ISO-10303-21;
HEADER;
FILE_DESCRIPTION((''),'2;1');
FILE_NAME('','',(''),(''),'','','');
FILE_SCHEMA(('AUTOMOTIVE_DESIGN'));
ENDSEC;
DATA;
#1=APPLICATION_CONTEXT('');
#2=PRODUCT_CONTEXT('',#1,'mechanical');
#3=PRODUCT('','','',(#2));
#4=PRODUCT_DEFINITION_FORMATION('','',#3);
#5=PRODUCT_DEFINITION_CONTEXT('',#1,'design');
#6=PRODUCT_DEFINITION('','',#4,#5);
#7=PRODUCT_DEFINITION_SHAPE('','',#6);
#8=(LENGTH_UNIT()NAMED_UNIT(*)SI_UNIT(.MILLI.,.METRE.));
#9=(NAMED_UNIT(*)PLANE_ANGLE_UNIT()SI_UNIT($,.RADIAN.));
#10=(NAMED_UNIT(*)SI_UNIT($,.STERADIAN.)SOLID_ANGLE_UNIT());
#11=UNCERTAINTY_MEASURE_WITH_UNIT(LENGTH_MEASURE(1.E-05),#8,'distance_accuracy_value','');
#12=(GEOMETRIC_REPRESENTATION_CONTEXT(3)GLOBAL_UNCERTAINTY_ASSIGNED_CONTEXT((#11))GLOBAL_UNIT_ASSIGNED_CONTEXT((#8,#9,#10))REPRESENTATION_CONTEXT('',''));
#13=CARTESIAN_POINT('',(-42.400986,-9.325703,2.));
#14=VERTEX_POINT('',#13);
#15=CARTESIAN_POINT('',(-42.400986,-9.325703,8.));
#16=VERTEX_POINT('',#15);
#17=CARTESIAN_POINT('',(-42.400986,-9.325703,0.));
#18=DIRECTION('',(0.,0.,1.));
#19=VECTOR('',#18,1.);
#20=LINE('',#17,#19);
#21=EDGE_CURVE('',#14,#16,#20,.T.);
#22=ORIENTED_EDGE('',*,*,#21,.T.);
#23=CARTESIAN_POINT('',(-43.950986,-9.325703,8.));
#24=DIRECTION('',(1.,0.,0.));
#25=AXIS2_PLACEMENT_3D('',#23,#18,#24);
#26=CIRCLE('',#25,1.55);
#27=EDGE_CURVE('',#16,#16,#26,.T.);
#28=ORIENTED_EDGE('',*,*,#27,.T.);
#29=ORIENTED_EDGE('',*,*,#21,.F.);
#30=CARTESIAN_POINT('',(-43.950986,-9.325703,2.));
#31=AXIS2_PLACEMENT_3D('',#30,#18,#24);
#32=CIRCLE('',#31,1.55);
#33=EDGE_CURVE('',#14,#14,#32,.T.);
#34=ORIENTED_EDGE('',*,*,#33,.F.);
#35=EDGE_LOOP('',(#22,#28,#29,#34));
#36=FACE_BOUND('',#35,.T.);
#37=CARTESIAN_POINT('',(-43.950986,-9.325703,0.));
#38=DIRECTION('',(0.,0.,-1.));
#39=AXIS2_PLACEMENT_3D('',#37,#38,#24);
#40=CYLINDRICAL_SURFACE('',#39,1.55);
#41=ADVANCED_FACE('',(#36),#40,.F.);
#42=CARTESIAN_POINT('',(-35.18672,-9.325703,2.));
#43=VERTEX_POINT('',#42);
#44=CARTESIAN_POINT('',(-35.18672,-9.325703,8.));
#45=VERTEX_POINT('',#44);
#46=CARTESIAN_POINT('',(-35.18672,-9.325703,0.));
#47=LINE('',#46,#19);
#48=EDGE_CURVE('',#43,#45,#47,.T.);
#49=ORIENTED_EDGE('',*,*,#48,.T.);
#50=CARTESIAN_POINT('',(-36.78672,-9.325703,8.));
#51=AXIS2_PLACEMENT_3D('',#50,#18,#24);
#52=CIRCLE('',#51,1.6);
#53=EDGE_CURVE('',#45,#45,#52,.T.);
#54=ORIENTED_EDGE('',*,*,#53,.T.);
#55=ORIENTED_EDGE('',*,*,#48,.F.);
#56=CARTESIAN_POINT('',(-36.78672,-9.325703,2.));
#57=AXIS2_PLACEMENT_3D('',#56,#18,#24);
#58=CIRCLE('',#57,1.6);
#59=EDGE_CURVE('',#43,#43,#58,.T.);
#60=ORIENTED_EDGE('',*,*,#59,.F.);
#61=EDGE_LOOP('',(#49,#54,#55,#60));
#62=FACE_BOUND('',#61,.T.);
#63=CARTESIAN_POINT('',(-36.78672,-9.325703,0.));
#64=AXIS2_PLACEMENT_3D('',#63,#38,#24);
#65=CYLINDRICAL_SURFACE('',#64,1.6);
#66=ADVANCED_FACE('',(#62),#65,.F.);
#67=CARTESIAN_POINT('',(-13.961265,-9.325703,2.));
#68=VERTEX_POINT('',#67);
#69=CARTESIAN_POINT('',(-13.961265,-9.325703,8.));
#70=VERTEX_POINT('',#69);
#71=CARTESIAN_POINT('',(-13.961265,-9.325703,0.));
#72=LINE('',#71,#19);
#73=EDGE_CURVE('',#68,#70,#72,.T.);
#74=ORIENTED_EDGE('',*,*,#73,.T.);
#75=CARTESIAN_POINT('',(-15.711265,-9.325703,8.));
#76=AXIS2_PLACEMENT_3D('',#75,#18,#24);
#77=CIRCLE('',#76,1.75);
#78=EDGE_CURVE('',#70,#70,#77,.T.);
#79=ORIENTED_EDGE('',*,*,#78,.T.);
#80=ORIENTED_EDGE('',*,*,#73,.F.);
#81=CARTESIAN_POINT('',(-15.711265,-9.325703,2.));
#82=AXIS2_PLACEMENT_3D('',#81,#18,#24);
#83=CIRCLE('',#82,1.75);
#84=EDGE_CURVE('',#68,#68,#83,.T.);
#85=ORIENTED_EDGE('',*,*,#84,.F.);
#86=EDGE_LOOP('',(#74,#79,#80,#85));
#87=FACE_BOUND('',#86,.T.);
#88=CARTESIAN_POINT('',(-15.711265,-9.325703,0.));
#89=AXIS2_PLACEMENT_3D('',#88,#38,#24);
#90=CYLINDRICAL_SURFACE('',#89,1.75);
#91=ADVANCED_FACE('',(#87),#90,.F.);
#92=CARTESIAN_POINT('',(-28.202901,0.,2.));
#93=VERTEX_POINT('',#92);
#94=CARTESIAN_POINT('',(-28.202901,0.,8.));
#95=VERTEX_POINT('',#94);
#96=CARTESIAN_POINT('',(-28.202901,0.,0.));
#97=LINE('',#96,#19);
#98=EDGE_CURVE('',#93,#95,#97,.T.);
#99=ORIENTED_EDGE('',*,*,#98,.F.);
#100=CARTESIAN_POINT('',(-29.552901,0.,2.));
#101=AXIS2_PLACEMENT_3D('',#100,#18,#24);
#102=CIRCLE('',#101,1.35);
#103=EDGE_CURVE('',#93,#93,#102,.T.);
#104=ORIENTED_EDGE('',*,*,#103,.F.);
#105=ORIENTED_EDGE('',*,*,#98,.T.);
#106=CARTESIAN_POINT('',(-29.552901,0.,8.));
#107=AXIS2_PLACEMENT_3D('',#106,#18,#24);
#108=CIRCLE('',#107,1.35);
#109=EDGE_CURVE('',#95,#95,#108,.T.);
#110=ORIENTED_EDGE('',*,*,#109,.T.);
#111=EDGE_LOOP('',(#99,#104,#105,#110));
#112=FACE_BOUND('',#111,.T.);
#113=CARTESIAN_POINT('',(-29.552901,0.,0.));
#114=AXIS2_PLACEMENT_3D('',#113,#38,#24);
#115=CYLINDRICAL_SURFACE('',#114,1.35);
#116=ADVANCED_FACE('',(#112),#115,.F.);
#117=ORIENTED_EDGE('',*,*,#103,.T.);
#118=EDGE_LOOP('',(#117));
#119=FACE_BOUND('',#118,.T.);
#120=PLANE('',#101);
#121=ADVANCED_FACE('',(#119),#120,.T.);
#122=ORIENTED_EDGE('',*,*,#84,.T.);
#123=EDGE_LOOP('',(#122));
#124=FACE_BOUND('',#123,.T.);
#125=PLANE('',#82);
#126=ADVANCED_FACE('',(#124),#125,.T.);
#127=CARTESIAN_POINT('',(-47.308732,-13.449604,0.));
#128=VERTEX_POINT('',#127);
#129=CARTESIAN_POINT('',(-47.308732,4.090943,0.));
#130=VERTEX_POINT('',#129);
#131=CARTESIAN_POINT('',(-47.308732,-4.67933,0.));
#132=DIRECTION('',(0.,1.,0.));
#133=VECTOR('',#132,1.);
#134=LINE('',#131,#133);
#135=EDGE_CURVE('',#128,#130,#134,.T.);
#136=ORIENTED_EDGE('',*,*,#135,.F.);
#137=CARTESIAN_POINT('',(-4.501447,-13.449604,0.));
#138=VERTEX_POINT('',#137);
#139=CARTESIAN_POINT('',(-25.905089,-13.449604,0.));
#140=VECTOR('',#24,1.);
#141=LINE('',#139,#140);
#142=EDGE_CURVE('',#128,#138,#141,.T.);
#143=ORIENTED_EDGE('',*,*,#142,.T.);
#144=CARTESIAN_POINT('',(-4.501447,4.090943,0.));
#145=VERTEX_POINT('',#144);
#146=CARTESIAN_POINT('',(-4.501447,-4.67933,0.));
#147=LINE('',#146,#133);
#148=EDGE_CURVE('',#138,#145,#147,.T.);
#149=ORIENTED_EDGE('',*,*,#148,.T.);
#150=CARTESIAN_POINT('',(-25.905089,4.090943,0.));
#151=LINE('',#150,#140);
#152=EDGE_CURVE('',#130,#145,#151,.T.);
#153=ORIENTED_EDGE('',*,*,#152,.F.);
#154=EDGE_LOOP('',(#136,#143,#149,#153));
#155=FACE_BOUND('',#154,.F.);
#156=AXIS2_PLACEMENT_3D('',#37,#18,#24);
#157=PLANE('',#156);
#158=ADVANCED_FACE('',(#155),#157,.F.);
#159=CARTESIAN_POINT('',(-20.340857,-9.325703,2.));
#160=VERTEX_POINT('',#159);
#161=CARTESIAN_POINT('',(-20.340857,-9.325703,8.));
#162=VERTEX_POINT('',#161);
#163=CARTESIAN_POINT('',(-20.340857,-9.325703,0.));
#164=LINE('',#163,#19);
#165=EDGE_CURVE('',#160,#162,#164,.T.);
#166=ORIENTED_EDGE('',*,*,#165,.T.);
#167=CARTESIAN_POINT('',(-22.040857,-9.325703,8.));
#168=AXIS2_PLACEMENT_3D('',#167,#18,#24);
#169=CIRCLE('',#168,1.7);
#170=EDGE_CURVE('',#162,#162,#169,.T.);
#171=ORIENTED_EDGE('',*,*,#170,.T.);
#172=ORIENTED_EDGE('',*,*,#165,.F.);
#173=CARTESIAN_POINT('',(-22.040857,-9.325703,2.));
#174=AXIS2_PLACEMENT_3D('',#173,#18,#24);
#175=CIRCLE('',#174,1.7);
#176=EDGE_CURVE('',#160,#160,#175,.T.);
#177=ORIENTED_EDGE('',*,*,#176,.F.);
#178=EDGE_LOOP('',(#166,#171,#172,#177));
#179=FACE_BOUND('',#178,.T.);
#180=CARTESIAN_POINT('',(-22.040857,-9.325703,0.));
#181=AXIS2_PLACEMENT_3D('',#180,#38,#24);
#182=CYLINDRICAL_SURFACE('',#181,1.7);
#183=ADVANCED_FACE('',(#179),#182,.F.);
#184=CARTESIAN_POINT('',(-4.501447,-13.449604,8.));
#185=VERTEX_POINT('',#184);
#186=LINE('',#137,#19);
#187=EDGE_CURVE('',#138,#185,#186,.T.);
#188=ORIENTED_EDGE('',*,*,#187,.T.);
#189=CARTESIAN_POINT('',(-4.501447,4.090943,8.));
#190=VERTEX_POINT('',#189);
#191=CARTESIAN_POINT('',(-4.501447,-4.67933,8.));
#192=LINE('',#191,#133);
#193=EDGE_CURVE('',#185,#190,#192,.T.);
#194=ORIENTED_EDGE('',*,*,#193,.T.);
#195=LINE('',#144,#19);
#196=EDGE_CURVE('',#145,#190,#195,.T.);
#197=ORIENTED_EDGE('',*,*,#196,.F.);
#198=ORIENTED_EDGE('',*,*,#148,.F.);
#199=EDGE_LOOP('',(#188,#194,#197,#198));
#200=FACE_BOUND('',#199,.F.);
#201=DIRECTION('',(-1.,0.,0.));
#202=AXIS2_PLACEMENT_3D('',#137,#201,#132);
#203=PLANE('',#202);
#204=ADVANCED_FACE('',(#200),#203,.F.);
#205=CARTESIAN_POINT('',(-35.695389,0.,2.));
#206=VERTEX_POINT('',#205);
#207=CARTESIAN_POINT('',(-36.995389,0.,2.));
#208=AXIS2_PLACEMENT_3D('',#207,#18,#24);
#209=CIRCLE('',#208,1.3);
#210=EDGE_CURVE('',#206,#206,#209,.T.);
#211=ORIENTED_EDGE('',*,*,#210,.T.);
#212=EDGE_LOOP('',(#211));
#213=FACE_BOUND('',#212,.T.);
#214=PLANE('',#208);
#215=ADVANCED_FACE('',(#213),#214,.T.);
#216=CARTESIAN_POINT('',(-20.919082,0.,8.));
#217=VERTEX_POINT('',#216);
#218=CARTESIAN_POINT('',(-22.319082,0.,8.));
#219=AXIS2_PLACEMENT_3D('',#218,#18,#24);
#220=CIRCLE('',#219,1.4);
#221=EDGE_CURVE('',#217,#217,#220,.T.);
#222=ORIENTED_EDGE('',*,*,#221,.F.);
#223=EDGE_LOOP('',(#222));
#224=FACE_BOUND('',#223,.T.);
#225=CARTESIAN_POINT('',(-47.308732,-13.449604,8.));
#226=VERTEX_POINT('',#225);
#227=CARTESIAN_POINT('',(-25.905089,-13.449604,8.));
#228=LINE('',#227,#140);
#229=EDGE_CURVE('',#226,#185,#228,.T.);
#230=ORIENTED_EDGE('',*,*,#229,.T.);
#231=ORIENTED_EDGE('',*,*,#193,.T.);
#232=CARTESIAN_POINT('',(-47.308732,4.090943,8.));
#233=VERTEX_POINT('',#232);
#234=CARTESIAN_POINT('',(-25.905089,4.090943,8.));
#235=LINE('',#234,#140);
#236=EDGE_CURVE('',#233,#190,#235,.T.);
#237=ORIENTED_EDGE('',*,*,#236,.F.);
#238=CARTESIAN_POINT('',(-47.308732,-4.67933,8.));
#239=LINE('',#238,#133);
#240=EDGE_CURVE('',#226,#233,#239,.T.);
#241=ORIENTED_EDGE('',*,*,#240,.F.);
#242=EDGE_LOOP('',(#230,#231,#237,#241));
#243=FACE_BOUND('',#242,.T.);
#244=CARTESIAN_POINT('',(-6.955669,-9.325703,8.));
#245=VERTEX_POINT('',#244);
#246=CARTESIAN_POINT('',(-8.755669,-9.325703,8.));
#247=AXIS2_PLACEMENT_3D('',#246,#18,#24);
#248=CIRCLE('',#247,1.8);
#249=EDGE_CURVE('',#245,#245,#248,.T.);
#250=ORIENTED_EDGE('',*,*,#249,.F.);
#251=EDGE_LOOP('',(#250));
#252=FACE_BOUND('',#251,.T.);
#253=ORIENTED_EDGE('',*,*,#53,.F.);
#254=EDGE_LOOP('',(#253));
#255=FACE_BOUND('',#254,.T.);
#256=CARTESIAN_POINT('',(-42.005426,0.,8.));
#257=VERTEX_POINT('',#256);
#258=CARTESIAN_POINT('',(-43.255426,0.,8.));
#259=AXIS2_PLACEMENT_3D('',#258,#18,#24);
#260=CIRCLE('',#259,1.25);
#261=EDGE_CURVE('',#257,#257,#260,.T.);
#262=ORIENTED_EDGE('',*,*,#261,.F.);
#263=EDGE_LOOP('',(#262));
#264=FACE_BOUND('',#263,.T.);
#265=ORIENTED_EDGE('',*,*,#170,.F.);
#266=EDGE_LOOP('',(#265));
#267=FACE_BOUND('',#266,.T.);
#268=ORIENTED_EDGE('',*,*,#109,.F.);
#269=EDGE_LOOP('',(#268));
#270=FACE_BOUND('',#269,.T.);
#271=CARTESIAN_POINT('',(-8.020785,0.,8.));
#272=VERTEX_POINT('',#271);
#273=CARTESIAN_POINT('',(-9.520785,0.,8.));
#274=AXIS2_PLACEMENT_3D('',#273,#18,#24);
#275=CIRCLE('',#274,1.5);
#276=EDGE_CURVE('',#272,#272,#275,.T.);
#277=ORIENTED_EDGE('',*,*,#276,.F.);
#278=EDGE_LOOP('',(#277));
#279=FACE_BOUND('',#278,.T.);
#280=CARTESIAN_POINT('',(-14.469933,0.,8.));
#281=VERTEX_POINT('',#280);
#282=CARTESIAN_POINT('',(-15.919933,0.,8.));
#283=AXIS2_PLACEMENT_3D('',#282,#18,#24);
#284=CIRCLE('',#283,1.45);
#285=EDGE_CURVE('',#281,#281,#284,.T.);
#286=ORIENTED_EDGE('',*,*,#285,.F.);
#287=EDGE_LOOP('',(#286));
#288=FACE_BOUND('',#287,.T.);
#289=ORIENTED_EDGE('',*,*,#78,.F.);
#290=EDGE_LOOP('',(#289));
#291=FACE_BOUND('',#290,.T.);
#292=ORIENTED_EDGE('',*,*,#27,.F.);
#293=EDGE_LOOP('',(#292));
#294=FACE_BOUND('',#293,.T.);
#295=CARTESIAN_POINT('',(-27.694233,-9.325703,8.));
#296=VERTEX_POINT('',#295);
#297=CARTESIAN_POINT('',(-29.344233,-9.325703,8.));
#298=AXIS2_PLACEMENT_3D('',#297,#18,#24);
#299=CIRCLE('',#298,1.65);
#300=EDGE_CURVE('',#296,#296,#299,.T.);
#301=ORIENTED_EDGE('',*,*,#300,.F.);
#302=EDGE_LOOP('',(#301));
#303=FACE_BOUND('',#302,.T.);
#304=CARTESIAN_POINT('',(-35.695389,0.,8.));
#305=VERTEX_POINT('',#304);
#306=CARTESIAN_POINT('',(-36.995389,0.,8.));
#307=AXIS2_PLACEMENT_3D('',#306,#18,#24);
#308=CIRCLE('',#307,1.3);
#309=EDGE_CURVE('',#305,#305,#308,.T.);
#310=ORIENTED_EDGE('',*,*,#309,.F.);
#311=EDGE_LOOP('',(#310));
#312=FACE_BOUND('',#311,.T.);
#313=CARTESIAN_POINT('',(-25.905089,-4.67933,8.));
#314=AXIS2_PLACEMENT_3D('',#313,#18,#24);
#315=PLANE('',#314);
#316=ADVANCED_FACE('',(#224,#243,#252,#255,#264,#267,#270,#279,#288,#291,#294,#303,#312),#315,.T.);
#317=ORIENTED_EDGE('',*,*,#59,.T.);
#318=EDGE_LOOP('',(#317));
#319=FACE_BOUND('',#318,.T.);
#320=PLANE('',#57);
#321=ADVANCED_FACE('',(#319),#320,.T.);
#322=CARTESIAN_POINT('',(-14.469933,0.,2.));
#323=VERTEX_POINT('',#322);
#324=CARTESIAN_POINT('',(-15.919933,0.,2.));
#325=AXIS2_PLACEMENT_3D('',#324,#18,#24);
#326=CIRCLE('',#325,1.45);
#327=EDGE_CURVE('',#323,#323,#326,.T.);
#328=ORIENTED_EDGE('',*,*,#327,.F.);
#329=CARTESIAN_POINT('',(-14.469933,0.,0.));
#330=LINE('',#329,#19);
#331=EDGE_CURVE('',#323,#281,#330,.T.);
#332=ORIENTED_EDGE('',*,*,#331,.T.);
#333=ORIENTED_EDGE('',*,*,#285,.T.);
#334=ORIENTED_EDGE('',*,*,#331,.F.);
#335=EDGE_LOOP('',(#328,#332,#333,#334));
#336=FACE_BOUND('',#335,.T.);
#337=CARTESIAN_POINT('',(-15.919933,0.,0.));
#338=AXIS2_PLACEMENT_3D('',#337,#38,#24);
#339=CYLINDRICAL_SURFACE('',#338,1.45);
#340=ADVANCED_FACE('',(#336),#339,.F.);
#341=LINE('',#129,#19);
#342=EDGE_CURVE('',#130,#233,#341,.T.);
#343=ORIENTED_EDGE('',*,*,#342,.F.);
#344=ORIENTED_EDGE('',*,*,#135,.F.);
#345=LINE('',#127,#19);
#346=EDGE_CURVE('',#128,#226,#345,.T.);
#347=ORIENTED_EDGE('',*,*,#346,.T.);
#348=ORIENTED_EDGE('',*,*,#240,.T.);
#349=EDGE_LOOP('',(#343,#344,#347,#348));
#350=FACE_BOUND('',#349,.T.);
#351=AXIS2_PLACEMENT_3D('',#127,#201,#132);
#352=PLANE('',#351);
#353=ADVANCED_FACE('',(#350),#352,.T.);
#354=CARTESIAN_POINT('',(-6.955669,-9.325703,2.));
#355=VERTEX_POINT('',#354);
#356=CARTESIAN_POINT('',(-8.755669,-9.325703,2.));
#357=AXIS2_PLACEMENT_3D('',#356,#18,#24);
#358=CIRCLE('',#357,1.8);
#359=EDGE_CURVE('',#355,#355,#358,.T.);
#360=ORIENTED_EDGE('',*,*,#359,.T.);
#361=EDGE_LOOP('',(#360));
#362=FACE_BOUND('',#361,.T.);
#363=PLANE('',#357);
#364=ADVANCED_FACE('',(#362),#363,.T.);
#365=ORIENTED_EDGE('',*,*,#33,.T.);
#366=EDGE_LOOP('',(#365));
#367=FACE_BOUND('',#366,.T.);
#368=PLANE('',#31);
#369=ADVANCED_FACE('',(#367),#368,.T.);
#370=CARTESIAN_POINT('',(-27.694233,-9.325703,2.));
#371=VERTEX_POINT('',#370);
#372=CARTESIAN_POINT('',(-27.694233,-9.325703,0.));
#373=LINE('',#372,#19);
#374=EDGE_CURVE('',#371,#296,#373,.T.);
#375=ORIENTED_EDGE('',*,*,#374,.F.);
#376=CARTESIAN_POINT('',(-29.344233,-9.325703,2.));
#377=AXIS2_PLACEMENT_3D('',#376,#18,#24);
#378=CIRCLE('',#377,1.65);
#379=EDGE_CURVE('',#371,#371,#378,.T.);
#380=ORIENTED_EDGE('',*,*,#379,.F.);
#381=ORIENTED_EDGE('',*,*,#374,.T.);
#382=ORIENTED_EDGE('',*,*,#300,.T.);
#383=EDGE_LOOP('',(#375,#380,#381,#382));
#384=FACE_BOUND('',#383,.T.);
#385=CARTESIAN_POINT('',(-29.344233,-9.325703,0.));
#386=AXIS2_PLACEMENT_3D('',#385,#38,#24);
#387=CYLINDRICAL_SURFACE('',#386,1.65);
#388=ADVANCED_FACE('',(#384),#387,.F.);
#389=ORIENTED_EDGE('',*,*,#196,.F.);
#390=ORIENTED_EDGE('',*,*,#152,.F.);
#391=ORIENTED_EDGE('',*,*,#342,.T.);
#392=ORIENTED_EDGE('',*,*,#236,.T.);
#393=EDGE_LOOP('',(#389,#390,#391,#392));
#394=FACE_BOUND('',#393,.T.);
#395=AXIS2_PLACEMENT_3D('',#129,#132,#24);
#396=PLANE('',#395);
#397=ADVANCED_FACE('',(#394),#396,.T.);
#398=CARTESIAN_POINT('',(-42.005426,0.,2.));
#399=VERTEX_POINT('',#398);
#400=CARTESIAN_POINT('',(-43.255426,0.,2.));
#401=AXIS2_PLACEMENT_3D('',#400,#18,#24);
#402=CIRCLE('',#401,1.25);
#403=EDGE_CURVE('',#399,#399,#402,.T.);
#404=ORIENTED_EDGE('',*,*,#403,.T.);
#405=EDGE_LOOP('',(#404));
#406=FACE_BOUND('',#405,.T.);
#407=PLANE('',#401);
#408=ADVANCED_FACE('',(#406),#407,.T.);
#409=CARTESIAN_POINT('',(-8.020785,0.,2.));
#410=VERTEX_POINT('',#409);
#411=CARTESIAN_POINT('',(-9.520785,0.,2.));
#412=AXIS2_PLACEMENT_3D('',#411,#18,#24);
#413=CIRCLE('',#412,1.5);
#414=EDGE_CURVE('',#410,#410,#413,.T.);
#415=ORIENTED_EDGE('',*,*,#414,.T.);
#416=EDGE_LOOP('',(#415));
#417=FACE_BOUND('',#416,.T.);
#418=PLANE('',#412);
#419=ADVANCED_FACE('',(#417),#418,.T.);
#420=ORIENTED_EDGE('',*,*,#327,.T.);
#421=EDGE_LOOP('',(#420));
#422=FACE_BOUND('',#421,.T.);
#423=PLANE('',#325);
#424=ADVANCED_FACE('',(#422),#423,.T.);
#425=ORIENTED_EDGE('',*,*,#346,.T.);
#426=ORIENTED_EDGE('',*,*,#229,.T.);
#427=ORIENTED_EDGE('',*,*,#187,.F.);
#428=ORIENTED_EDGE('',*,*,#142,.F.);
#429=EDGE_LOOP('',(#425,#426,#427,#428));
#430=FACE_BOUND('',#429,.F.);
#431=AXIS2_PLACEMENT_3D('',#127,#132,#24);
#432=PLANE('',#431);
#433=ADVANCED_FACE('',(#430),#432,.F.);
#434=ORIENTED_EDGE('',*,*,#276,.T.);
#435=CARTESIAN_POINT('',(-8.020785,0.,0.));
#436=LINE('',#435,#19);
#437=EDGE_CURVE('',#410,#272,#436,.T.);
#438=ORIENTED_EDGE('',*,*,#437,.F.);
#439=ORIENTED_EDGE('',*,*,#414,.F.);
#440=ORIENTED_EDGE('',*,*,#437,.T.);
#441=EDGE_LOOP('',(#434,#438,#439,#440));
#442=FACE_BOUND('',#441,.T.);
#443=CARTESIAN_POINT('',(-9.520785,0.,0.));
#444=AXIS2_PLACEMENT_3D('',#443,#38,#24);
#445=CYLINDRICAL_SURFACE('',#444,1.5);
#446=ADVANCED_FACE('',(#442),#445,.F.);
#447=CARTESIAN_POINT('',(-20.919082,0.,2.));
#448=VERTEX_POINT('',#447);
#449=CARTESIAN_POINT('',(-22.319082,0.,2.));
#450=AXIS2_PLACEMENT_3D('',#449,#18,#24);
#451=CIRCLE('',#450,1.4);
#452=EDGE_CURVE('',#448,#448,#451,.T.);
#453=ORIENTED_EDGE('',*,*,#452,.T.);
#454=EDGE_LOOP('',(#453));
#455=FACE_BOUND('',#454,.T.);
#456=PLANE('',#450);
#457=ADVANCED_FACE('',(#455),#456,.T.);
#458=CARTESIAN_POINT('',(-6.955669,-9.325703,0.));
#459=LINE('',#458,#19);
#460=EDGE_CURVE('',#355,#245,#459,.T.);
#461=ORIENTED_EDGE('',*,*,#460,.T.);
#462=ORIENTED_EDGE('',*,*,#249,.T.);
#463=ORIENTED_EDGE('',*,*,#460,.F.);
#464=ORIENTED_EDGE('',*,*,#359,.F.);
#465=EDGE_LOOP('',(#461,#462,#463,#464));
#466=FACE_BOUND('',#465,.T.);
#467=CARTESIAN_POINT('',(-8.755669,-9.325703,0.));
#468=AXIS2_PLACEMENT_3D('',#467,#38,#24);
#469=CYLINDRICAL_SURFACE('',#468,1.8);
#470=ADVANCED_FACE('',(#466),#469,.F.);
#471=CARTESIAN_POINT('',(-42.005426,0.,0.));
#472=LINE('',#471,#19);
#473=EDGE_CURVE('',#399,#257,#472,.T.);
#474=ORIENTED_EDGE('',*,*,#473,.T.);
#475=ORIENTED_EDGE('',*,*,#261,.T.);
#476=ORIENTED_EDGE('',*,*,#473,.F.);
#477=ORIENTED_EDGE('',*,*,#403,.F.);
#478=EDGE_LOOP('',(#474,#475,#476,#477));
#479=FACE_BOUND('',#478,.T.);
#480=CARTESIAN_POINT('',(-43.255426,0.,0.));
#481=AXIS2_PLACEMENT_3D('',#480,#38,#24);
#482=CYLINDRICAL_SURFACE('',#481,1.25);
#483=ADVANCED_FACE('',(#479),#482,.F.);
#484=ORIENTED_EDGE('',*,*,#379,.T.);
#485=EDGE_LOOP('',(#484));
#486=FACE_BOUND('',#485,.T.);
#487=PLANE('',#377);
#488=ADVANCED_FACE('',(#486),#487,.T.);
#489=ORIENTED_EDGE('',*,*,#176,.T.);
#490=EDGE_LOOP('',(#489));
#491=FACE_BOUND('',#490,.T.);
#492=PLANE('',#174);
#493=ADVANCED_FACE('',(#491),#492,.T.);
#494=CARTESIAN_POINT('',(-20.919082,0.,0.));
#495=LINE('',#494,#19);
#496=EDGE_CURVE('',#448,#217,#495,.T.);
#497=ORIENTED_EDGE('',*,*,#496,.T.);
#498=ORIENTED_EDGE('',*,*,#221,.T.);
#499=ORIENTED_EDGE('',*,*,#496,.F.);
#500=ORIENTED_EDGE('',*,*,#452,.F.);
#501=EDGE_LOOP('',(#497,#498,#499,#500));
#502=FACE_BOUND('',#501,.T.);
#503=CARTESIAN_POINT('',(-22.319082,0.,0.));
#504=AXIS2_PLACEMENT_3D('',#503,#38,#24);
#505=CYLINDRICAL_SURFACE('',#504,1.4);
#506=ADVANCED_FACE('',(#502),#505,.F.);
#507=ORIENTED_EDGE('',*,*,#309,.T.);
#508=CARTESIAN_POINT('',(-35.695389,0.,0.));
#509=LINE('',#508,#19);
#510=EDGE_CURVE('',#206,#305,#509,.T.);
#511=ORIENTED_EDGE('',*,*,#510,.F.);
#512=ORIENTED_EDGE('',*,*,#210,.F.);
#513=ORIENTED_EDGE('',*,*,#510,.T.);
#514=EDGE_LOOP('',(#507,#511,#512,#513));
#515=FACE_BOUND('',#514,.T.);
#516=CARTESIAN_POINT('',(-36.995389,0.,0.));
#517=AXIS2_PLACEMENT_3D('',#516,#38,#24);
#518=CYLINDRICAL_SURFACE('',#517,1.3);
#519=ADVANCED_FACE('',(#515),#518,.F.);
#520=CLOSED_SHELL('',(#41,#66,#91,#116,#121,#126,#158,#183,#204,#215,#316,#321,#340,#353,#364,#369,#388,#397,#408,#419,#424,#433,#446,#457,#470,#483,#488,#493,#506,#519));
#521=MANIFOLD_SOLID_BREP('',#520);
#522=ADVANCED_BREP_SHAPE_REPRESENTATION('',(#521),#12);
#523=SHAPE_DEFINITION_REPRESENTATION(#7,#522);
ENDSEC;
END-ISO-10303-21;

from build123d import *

# Parameters (mm, degrees)
F0_W     = 42.807285
F0_H     = 17.540547
F0_R     = 1.55
F0_R_2   = 1.6
F0_R_3   = 1.65
F0_R_4   = 1.7
F0_R_5   = 1.75
F0_R_6   = 1.8
F0_R_7   = 1.25
F0_R_8   = 1.3
F0_R_9   = 1.35
F0_R_10  = 1.4
F0_R_11  = 1.45
F0_R_12  = 1.5
F1_DEPTH = 8
F2_DEPTH = 2


with BuildPart() as f1:
    # F0 (on Top) → F1 (new body)
    with BuildSketch(Plane.XY):
        with Locations((-25.905089, -4.67933)):
            Rectangle(F0_W, F0_H)
        with Locations((-43.950986, -9.325703)):
            Circle(F0_R, mode=Mode.SUBTRACT)
        with Locations((-36.78672, -9.325703)):
            Circle(F0_R_2, mode=Mode.SUBTRACT)
        with Locations((-29.344233, -9.325703)):
            Circle(F0_R_3, mode=Mode.SUBTRACT)
        with Locations((-22.040857, -9.325703)):
            Circle(F0_R_4, mode=Mode.SUBTRACT)
        with Locations((-15.711265, -9.325703)):
            Circle(F0_R_5, mode=Mode.SUBTRACT)
        with Locations((-8.755669, -9.325703)):
            Circle(F0_R_6, mode=Mode.SUBTRACT)
        with Locations((-43.255426, 0)):
            Circle(F0_R_7, mode=Mode.SUBTRACT)
        with Locations((-36.995389, 0)):
            Circle(F0_R_8, mode=Mode.SUBTRACT)
        with Locations((-29.552901, 0)):
            Circle(F0_R_9, mode=Mode.SUBTRACT)
        with Locations((-22.319082, 0)):
            Circle(F0_R_10, mode=Mode.SUBTRACT)
        with Locations((-15.919933, 0)):
            Circle(F0_R_11, mode=Mode.SUBTRACT)
        with Locations((-9.520785, 0)):
            Circle(F0_R_12, mode=Mode.SUBTRACT)
    extrude(amount=F1_DEPTH)

    # F0 (on Top) → F2 (join)
    with BuildSketch(Plane.XY):
        with Locations((-43.950986, -9.325703)):
            Circle(F0_R)
        with Locations((-36.78672, -9.325703)):
            Circle(F0_R_2)
        with Locations((-29.344233, -9.325703)):
            Circle(F0_R_3)
        with Locations((-22.040857, -9.325703)):
            Circle(F0_R_4)
        with Locations((-15.711265, -9.325703)):
            Circle(F0_R_5)
        with Locations((-8.755669, -9.325703)):
            Circle(F0_R_6)
        with Locations((-9.520785, 0)):
            Circle(F0_R_12)
        with Locations((-15.919933, 0)):
            Circle(F0_R_11)
        with Locations((-22.319082, 0)):
            Circle(F0_R_10)
        with Locations((-29.552901, 0)):
            Circle(F0_R_9)
        with Locations((-36.995389, 0)):
            Circle(F0_R_8)
        with Locations((-43.255426, 0)):
            Circle(F0_R_7)
    extrude(amount=F2_DEPTH)


solid = f1.part
